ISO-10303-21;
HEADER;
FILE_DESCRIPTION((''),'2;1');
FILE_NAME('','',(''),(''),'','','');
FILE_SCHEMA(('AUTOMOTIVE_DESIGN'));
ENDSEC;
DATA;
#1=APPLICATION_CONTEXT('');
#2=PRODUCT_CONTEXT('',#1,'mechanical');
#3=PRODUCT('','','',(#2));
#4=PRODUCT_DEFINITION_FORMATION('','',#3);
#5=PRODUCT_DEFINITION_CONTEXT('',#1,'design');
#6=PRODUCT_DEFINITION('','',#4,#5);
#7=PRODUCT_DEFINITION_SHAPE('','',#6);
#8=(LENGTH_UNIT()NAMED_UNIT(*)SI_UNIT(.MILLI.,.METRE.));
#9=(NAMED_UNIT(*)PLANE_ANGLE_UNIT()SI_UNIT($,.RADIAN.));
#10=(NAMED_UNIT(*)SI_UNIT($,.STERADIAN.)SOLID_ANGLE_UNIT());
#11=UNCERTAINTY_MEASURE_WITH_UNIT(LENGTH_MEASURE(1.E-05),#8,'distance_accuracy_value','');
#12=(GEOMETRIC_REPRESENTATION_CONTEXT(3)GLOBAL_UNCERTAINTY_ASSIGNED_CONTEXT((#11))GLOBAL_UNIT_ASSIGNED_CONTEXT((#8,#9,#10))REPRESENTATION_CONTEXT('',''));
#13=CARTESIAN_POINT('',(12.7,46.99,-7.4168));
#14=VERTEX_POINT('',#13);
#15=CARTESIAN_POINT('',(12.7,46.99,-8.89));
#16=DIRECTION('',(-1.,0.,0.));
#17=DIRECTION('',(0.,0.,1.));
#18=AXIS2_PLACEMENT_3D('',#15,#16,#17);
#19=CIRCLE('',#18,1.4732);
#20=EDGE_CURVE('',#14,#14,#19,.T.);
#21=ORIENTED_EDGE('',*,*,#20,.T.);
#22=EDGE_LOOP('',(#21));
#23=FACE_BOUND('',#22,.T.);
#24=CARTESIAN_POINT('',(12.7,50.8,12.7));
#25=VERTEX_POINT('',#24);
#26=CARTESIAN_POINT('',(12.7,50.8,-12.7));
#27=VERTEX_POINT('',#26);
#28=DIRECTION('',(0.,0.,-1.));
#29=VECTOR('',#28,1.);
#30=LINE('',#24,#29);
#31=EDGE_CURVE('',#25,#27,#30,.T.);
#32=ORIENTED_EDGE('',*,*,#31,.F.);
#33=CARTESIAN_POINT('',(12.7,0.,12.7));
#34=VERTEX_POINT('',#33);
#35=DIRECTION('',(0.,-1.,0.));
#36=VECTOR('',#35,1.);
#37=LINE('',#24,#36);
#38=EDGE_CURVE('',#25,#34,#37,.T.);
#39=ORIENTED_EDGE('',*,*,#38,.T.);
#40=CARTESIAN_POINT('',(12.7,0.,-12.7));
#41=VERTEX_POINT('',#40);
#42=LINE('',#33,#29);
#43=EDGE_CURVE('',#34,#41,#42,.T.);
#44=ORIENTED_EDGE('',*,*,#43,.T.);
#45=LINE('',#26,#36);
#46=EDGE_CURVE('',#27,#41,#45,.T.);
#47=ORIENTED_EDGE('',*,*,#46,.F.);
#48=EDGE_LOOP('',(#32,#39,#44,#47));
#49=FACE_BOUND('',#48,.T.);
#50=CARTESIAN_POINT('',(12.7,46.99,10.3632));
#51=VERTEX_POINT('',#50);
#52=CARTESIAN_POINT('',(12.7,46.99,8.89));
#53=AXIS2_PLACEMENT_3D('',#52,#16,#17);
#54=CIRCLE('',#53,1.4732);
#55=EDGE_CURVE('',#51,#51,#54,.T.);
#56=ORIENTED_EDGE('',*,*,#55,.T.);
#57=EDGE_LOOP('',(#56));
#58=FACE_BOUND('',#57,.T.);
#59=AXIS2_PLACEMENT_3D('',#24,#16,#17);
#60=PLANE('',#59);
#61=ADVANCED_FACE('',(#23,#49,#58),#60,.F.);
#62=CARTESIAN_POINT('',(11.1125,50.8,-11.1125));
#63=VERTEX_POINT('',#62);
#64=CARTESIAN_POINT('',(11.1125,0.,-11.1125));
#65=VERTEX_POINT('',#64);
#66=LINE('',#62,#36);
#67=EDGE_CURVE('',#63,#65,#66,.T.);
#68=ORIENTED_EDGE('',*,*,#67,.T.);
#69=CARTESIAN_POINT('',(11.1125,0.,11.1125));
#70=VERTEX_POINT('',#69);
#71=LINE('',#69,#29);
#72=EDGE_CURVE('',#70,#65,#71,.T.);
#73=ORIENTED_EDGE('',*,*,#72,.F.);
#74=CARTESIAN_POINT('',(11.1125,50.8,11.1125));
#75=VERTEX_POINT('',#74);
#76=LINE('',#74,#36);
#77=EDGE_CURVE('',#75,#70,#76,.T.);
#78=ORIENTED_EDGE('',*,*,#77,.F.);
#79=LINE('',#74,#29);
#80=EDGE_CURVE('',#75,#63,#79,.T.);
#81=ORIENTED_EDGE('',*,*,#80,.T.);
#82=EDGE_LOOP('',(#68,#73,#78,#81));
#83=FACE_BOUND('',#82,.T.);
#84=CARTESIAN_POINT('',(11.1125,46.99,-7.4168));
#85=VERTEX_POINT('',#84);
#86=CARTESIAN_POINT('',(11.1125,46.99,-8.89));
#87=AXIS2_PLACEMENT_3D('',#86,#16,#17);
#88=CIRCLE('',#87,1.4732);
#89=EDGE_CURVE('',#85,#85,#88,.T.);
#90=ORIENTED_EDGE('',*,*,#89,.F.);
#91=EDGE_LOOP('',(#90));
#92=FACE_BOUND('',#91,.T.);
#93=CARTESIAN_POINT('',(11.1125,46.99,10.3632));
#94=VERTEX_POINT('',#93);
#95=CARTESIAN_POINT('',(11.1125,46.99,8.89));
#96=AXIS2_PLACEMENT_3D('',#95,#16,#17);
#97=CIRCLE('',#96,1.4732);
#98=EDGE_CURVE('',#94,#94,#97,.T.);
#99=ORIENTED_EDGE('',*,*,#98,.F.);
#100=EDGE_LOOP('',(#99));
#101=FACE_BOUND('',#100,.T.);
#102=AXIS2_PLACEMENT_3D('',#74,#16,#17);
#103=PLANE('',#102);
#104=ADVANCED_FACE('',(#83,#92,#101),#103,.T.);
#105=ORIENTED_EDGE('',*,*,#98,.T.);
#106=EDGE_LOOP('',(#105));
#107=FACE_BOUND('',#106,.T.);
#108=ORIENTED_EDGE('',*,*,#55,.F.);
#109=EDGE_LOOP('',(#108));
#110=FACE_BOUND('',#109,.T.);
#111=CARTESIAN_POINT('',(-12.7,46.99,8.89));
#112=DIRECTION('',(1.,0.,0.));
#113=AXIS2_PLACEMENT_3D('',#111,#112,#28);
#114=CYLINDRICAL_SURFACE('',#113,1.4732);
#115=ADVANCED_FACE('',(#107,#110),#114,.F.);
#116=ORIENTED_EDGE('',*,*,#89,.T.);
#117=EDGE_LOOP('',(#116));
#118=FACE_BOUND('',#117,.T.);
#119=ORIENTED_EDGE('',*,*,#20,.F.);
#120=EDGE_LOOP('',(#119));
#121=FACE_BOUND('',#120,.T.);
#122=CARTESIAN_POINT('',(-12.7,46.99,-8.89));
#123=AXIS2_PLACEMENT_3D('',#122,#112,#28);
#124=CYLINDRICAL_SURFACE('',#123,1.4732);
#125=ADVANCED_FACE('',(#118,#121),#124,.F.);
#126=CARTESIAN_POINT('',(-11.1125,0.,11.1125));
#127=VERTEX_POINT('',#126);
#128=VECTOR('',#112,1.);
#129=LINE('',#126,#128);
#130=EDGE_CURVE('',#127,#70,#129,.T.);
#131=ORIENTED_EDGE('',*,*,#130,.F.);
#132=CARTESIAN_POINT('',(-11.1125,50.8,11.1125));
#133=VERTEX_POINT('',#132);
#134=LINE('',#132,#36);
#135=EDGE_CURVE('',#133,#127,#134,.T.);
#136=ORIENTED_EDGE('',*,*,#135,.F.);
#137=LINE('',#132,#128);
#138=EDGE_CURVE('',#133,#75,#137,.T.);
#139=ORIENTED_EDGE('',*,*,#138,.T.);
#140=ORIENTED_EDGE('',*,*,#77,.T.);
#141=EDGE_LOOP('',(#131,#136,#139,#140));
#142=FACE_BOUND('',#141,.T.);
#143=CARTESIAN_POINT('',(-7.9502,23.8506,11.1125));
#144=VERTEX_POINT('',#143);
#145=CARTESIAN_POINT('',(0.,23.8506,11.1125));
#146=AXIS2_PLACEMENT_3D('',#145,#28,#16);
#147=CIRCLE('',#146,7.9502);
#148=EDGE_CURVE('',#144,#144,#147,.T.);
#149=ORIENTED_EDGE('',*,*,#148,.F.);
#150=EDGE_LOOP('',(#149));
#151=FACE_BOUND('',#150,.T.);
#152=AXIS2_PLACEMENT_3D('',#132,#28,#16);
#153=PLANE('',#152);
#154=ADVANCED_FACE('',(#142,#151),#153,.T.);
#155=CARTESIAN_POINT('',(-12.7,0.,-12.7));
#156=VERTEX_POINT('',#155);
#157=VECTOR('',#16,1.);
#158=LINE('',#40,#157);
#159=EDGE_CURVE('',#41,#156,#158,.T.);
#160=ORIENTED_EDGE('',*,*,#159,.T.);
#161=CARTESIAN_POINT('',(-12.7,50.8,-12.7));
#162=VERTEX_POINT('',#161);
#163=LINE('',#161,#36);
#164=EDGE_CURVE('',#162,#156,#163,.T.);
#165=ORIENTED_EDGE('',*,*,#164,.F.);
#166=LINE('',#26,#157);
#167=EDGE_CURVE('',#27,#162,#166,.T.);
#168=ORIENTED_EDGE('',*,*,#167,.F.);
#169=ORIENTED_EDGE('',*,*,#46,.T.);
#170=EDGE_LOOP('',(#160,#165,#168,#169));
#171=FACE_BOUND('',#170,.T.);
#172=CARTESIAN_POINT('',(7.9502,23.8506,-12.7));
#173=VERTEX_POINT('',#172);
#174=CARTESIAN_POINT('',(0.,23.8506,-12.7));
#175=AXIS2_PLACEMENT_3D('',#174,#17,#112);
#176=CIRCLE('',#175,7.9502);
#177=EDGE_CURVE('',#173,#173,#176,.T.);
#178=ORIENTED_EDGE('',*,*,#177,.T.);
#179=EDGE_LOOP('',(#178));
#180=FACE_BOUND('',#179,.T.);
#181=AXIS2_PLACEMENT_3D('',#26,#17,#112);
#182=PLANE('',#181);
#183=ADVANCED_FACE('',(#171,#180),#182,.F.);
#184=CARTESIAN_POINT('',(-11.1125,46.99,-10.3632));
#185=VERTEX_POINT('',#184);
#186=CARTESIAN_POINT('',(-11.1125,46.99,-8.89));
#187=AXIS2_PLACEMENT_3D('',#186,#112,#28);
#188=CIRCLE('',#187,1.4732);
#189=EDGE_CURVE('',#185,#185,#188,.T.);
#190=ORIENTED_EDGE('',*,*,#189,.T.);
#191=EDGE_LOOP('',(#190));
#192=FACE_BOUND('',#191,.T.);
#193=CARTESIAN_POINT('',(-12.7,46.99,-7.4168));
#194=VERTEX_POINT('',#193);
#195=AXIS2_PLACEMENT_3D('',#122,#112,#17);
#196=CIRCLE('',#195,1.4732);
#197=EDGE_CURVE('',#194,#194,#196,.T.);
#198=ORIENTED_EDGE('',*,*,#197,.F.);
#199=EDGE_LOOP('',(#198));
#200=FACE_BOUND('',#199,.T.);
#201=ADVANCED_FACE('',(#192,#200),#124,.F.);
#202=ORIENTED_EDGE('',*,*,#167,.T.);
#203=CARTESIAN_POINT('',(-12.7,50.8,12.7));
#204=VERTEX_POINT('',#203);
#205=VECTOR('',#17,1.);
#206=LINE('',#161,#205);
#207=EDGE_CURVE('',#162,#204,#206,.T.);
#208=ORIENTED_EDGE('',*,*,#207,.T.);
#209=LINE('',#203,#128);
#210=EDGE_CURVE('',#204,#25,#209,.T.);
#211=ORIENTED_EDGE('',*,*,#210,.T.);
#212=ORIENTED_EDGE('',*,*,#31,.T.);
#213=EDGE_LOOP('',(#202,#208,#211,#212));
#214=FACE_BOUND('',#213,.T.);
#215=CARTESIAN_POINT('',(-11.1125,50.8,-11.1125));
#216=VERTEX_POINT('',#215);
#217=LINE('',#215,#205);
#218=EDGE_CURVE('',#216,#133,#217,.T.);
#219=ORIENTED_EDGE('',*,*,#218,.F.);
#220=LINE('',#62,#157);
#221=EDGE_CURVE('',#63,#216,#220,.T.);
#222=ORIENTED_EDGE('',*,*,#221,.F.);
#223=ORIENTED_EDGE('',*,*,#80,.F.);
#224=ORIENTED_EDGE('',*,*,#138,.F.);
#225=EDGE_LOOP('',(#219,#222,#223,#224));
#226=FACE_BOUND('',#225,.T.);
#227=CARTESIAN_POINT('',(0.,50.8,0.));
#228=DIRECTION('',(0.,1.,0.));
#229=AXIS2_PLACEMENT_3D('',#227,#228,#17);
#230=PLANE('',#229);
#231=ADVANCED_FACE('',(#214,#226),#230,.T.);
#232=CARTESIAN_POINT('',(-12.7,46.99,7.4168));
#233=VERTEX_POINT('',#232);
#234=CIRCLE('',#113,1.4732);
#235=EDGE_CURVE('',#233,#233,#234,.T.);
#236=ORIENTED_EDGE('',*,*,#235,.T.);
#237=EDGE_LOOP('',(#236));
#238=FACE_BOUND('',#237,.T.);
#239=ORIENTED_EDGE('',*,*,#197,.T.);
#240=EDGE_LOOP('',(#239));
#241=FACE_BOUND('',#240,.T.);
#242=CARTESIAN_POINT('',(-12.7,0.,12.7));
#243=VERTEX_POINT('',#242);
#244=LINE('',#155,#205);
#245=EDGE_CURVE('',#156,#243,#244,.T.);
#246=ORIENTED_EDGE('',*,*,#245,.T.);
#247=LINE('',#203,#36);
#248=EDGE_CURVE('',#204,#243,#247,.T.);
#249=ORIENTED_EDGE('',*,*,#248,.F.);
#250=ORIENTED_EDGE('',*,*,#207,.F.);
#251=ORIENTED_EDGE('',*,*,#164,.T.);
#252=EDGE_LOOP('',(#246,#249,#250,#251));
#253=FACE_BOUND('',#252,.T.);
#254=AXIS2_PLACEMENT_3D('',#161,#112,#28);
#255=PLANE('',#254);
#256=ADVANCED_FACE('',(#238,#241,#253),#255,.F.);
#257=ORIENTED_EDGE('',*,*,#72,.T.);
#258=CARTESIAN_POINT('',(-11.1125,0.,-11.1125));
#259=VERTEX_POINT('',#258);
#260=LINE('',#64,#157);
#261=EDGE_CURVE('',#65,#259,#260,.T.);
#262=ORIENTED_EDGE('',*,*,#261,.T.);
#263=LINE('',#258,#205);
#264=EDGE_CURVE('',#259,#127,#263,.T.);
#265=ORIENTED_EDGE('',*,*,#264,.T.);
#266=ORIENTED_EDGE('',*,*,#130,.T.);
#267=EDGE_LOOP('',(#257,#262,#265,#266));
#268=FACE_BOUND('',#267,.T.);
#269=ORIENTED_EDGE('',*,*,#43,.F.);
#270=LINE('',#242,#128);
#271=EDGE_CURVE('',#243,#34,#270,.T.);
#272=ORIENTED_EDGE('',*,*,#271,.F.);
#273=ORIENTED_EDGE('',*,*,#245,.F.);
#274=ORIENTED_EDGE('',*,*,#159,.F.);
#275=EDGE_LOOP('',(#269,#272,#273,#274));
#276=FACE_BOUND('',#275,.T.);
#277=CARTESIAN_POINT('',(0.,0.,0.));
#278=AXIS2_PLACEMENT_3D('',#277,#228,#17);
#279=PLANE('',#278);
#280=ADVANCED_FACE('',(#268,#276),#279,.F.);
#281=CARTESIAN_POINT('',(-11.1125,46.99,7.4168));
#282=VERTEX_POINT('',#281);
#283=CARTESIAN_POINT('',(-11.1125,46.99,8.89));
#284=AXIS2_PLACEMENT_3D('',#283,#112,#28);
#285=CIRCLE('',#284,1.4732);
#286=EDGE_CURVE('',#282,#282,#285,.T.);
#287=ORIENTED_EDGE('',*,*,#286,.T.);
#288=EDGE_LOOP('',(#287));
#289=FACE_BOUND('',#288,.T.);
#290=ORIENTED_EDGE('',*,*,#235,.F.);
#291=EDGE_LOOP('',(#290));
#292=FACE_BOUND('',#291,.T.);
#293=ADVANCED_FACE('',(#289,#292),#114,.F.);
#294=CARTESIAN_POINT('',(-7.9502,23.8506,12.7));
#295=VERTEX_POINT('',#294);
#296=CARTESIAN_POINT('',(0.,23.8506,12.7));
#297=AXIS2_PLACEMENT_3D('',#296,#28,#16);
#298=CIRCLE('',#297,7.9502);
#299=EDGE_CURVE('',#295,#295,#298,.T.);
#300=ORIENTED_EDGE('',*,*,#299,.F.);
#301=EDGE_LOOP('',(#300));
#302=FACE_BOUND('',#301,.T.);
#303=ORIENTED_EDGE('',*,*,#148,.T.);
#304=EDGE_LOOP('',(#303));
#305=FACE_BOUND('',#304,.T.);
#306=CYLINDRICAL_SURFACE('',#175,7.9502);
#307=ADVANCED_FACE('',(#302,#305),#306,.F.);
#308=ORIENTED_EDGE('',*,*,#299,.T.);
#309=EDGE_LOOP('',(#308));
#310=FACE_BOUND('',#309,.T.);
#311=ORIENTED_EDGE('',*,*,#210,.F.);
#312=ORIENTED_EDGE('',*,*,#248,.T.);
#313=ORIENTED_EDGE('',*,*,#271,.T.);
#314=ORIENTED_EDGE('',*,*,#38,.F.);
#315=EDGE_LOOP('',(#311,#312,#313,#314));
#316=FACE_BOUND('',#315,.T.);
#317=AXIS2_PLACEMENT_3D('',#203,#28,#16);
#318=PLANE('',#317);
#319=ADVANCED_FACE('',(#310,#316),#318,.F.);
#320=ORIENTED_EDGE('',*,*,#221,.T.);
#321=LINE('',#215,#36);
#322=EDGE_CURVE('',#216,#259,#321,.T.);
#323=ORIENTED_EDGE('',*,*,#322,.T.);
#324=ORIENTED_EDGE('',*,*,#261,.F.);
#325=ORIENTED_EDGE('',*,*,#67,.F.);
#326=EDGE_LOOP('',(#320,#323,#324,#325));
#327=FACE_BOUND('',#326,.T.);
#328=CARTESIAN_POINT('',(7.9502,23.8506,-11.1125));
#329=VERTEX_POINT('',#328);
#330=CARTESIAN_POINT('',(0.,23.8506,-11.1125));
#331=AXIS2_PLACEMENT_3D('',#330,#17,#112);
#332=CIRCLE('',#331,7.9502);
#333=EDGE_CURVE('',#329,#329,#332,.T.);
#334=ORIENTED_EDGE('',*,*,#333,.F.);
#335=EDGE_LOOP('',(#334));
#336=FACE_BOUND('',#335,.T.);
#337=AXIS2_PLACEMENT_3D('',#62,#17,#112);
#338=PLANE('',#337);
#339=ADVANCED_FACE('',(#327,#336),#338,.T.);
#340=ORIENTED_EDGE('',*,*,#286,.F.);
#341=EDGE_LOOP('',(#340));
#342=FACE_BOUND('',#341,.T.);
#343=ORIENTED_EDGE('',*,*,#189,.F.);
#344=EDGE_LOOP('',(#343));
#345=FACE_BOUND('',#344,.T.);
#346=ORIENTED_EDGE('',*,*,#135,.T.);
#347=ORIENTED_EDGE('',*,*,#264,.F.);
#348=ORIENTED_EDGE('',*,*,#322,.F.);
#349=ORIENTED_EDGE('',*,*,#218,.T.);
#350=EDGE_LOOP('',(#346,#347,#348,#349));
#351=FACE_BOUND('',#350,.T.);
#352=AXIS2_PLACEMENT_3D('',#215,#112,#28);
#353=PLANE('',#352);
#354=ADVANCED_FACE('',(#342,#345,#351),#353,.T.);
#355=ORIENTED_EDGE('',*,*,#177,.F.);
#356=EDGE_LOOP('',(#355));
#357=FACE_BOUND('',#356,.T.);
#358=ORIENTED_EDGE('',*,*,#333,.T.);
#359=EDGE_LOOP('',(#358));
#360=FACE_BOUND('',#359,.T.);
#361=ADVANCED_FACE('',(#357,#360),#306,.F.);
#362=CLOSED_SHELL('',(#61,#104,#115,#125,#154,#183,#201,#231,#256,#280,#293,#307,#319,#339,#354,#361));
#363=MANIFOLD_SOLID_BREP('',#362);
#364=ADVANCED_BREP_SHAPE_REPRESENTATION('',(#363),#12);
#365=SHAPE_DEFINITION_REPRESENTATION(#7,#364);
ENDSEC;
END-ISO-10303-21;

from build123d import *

# Parameters (mm, degrees)
SKETCH1_W               = 25.4
SKETCH1_H               = 25.4
SKETCH1_W_2             = 22.225
SKETCH1_H_2             = 22.225
BOSS_EXTRUDE1_DEPTH     = 50.8
CUT_EXTRUDE1_DEPTH      = 59.198711326
CUT_EXTRUDE1_DEPTH_BACK = 59.198711326
SKETCH2_R               = 7.9502
CUT_EXTRUDE2_DEPTH      = 59.198711326
CUT_EXTRUDE2_DEPTH_BACK = 59.198711326
SKETCH3_R               = 1.4732


with BuildPart() as part:
    # Sketch1 → Boss-Extrude1 (new body)
    with BuildSketch(Plane(origin=(0, 0, 0), x_dir=(1, 0, 0), z_dir=(0, 1, 0))):
        Rectangle(SKETCH1_W, SKETCH1_H)
        Rectangle(SKETCH1_W_2, SKETCH1_H_2, mode=Mode.SUBTRACT)
    extrude(amount=BOSS_EXTRUDE1_DEPTH)

    # Sketch2 → Cut-Extrude1 (cut, two sides: drawn at the far end of the back side and taken through both)
    with BuildSketch(Plane.XY.offset(12.7).offset(-CUT_EXTRUDE1_DEPTH_BACK)):
        with Locations(Location((0, 23.8506, 0), (0, 0, 180))):
            Circle(SKETCH2_R)
    extrude(amount=CUT_EXTRUDE1_DEPTH + CUT_EXTRUDE1_DEPTH_BACK, mode=Mode.SUBTRACT)

    # Sketch3 → Cut-Extrude2 (cut, two sides: drawn at the far end of the back side and taken through both)
    with BuildSketch(Plane(origin=(12.7, 0, 0), x_dir=(0, 0, -1), z_dir=(1, 0, 0)).offset(-CUT_EXTRUDE2_DEPTH_BACK)):
        with Locations((-8.89, 46.99)):
            Circle(SKETCH3_R)
        with Locations((8.89, 46.99)):
            Circle(SKETCH3_R)
    extrude(amount=CUT_EXTRUDE2_DEPTH + CUT_EXTRUDE2_DEPTH_BACK, mode=Mode.SUBTRACT)


solid = part.part
